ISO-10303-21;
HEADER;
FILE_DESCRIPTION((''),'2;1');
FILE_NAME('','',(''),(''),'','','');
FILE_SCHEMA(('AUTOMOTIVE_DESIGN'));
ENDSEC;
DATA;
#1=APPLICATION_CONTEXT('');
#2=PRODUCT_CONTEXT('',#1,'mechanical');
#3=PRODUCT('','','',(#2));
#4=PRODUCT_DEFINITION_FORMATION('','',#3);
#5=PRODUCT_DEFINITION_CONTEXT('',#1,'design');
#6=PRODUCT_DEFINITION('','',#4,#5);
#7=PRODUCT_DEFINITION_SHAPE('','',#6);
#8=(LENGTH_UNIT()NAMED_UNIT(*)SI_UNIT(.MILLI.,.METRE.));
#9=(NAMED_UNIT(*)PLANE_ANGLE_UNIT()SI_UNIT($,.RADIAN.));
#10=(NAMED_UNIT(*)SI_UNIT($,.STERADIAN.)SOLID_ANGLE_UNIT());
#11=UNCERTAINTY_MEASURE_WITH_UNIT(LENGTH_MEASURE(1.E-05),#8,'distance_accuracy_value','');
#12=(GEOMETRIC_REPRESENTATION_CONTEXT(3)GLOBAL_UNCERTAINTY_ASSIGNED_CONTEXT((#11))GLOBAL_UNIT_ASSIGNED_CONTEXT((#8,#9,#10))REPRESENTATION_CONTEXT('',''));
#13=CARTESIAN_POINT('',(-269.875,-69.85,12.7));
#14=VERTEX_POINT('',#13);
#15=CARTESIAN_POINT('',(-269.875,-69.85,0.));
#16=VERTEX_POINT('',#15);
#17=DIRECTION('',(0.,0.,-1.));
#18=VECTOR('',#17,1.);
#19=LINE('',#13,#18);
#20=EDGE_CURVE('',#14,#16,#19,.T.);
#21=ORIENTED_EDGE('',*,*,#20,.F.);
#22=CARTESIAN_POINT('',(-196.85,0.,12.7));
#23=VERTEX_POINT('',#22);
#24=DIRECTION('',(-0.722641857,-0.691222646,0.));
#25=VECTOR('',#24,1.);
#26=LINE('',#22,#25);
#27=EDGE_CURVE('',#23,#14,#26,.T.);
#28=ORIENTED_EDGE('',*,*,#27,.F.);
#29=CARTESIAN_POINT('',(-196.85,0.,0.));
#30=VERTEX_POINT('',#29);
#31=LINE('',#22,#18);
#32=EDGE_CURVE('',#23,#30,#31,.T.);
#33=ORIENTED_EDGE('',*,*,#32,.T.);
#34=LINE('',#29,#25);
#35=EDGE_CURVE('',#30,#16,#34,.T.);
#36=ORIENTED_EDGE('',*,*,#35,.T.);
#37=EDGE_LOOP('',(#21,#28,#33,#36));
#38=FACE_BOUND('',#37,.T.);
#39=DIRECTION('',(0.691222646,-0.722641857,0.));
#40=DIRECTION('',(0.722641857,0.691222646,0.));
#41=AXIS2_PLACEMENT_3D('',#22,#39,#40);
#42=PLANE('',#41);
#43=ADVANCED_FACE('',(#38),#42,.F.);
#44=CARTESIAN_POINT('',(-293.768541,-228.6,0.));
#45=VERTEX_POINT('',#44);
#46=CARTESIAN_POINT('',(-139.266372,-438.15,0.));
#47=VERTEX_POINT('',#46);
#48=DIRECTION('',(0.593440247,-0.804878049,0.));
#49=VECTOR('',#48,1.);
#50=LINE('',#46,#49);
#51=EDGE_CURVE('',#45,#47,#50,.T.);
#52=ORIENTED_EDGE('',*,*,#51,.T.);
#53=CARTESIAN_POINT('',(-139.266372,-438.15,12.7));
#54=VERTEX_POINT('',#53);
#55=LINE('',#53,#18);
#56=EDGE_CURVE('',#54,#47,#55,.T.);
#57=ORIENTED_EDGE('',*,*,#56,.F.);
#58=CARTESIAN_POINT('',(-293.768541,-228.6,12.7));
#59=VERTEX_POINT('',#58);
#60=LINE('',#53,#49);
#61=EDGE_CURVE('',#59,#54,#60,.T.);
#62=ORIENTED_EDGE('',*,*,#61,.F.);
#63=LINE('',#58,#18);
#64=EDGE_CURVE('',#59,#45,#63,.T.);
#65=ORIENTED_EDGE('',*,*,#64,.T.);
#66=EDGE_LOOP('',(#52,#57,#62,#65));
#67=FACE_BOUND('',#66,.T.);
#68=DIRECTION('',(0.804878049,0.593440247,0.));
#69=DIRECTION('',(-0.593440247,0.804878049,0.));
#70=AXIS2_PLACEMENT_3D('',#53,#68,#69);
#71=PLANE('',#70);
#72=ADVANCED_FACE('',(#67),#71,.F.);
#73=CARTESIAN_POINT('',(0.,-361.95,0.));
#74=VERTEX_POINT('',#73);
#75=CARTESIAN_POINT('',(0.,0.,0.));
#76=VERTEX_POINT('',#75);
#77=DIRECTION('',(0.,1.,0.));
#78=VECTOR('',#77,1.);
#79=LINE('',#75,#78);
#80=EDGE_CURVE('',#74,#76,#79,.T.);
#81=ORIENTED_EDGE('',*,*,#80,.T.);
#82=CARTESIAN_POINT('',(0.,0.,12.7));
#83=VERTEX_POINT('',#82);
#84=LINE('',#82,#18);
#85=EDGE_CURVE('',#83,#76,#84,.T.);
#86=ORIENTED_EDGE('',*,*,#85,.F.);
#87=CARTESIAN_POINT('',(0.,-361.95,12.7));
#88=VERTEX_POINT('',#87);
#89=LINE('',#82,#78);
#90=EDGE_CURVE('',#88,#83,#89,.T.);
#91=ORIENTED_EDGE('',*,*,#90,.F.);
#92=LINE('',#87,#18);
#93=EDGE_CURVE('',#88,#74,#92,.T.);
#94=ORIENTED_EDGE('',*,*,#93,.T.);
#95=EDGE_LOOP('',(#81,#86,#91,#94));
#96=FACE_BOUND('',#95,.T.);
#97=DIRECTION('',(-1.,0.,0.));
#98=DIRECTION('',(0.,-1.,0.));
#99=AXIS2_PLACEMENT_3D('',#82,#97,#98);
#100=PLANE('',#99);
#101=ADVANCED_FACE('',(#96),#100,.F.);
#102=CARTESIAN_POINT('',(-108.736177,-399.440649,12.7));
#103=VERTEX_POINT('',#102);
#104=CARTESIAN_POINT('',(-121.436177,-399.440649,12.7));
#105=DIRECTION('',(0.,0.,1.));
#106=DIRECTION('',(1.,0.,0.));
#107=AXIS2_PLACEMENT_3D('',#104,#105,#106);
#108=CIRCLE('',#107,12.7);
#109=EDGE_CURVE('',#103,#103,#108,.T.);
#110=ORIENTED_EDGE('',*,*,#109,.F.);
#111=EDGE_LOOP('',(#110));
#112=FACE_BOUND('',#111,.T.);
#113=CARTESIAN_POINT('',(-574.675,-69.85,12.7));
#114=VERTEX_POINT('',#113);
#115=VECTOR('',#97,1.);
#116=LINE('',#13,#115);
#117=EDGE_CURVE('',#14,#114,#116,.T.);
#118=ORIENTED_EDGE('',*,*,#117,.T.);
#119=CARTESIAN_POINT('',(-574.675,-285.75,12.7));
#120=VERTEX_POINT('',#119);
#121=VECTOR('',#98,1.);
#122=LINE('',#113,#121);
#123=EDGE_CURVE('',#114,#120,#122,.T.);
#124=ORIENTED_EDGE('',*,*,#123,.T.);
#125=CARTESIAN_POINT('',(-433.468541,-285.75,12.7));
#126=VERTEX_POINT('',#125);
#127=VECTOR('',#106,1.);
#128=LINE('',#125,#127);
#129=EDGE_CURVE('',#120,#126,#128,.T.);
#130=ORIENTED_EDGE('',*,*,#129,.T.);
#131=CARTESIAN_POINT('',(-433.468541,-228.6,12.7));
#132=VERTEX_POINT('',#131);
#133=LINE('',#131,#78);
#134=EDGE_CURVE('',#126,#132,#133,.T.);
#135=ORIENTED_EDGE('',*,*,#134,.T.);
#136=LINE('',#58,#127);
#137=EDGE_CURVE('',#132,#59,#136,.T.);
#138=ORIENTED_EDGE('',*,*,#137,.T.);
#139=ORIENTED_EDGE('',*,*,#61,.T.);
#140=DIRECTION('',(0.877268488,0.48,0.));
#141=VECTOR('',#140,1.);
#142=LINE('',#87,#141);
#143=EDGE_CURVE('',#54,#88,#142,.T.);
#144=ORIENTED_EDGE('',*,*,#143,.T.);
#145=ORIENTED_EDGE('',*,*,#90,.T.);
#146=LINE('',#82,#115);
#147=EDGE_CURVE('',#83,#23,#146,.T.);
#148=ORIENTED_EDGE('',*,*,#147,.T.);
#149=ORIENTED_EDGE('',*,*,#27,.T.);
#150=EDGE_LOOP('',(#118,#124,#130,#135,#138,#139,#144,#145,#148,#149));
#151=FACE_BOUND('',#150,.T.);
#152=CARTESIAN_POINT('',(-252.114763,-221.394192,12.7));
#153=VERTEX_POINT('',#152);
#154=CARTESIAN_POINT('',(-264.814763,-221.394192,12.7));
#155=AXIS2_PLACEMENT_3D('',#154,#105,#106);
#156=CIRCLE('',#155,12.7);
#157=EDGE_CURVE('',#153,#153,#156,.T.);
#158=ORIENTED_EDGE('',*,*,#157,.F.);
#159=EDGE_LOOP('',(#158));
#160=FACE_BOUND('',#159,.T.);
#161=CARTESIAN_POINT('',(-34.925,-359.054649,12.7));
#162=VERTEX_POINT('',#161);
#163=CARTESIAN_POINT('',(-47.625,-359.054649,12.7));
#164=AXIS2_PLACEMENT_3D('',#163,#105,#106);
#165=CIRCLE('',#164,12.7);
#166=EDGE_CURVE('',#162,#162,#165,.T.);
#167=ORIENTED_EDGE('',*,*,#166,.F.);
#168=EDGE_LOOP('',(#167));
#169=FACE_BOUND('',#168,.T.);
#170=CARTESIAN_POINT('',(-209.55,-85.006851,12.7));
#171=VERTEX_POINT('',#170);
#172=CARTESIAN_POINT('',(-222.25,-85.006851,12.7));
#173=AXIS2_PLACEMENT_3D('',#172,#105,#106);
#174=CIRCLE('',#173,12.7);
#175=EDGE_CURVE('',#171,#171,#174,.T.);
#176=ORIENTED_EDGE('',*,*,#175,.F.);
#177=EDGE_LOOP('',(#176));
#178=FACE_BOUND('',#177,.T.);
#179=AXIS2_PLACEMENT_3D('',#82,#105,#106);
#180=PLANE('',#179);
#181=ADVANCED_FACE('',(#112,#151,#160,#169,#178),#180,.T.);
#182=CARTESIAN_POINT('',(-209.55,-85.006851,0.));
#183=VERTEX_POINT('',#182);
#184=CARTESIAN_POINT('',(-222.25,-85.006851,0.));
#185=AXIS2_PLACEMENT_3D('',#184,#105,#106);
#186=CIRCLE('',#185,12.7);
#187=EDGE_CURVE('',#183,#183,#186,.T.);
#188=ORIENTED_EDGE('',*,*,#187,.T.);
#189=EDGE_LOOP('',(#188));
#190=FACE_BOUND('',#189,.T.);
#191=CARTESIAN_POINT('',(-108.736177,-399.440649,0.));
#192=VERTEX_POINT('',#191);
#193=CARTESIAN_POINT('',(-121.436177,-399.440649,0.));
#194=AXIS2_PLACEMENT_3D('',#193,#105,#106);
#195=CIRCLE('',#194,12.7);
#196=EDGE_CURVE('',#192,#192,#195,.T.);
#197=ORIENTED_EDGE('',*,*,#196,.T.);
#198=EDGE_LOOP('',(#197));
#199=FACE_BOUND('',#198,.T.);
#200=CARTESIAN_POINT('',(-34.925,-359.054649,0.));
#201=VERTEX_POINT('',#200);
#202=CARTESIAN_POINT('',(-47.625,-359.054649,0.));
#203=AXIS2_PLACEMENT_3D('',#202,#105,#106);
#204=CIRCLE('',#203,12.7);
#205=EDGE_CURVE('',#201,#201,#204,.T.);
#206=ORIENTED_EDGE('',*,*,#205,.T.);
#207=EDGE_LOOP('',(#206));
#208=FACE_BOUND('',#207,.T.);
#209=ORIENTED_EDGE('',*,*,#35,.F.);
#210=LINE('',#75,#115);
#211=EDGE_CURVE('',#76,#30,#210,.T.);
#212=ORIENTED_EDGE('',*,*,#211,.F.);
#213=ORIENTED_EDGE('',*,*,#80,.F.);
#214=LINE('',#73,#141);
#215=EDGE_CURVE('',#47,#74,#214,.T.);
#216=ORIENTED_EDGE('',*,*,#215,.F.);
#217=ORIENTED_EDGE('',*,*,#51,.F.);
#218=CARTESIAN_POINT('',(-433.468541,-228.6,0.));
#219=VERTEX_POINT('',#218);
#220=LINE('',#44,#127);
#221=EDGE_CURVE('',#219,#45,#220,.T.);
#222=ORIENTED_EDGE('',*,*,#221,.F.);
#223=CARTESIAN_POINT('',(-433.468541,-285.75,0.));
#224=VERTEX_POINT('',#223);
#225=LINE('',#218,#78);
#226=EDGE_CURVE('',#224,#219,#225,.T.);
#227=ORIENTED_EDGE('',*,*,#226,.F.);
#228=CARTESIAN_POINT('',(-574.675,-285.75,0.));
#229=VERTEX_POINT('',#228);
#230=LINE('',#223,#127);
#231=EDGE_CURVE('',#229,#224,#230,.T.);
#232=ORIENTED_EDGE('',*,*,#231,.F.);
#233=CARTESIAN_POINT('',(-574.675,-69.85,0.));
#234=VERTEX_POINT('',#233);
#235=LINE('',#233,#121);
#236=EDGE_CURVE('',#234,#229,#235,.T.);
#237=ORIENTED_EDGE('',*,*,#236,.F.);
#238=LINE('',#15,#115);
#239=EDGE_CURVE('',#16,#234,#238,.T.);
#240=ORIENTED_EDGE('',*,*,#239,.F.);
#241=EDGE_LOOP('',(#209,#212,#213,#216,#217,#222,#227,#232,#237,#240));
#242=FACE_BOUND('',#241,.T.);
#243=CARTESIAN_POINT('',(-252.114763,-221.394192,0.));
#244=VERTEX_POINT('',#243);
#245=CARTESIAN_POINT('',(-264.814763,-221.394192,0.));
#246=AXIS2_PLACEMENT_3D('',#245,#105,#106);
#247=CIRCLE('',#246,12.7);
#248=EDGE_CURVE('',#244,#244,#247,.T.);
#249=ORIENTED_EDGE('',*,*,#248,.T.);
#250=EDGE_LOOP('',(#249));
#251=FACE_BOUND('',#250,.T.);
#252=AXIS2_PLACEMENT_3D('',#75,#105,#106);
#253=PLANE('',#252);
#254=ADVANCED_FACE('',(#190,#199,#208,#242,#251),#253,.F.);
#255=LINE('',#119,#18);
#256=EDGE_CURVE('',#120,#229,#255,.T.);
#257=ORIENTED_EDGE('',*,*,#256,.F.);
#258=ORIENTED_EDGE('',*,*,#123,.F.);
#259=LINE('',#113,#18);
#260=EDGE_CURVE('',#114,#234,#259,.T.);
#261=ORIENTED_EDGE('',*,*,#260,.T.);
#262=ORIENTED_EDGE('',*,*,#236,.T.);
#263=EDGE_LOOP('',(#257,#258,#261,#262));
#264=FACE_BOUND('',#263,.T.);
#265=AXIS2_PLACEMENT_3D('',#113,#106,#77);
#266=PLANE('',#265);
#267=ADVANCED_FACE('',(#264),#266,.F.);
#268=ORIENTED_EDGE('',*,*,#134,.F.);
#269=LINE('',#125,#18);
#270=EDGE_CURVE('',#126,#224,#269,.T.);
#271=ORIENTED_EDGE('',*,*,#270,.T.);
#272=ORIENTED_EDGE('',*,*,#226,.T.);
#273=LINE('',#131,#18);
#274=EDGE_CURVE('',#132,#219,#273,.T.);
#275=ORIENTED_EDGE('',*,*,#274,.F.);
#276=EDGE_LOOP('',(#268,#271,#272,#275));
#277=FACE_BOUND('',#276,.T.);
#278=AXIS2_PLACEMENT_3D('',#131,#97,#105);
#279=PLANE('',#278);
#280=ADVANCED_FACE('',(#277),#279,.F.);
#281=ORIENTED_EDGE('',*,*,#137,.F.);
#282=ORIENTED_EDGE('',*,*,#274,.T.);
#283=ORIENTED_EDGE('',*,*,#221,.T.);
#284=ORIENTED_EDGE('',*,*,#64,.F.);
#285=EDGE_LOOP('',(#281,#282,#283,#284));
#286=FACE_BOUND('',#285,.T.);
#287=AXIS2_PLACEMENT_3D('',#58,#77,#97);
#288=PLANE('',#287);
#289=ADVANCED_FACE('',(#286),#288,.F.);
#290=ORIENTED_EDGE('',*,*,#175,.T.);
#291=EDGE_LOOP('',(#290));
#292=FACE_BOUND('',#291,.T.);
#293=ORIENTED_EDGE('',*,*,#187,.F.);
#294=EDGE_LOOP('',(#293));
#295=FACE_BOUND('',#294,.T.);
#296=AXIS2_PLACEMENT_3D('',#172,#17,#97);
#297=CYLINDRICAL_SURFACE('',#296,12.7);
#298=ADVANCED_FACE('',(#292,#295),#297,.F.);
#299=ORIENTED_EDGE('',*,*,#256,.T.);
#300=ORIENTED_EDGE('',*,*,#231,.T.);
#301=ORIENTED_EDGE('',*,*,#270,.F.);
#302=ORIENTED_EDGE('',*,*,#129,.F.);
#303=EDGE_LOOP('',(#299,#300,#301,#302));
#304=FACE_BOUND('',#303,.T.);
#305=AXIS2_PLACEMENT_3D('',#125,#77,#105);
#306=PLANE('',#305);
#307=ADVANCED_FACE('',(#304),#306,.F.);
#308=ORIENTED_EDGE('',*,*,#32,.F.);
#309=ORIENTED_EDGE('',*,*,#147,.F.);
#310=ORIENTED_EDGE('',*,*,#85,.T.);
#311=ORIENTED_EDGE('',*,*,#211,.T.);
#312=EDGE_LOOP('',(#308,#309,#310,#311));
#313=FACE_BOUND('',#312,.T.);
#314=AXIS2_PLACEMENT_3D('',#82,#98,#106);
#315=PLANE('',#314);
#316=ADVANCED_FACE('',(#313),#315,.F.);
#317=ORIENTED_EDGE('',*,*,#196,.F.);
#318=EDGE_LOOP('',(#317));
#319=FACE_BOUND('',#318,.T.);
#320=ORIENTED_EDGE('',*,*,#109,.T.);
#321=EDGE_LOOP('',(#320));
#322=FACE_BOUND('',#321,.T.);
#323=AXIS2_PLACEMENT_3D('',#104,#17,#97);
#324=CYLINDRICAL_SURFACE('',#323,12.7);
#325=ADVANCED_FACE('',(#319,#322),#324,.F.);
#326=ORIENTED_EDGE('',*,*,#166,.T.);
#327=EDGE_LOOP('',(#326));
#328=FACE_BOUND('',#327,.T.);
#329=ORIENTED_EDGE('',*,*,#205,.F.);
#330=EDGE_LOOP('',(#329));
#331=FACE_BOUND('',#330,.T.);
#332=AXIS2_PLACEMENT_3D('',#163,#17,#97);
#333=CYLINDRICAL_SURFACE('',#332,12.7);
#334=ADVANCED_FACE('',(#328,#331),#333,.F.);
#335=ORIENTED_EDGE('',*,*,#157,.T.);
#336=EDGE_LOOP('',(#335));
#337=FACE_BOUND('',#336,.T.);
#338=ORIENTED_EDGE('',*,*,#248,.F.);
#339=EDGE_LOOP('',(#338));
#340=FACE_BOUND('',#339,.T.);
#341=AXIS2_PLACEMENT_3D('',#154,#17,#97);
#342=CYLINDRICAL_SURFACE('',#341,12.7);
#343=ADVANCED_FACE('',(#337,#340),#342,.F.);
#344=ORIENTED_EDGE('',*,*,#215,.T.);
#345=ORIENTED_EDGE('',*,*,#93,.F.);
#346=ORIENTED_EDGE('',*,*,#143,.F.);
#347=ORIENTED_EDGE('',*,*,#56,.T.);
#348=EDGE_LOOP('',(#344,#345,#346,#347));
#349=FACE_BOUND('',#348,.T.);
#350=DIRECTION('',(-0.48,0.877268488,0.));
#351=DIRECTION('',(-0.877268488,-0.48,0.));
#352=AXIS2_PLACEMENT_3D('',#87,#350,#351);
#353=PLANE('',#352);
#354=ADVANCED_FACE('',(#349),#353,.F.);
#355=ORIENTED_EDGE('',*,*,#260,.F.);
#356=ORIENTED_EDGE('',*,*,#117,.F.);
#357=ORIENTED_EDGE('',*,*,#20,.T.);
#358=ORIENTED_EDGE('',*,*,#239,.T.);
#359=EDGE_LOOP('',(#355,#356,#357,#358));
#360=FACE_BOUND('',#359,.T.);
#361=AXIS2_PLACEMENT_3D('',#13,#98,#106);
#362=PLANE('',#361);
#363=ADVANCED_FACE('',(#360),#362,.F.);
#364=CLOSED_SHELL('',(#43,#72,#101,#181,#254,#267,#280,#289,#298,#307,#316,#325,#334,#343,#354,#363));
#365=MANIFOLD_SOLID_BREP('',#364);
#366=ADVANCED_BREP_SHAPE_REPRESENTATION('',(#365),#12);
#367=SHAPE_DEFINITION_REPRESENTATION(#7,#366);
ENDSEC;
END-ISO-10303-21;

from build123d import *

# Parameters (mm, degrees)
SKETCH1_R           = 12.7
BOSS_EXTRUDE1_DEPTH = 12.7


with BuildPart() as part:
    # Sketch1 → Boss-Extrude1 (new body)
    with BuildSketch(Plane.XY):
        Polygon((0, 0), (0, -361.95), (-139.266372467, -438.15), (-293.768540736, -228.6), (-433.468540736, -228.6), (-433.468540736, -285.75), (-574.675, -285.75), (-574.675, -69.85), (-269.875, -69.85), (-196.85, 0), align=None)
        with Locations((-121.436177407, -399.440649221)):
            Circle(SKETCH1_R, mode=Mode.SUBTRACT)
        with Locations((-47.625, -359.054649221)):
            Circle(SKETCH1_R, mode=Mode.SUBTRACT)
        with Locations((-264.81476339, -221.394191571)):
            Circle(SKETCH1_R, mode=Mode.SUBTRACT)
        with Locations((-222.25, -85.00685146)):
            Circle(SKETCH1_R, mode=Mode.SUBTRACT)
    extrude(amount=BOSS_EXTRUDE1_DEPTH)


solid = part.part
